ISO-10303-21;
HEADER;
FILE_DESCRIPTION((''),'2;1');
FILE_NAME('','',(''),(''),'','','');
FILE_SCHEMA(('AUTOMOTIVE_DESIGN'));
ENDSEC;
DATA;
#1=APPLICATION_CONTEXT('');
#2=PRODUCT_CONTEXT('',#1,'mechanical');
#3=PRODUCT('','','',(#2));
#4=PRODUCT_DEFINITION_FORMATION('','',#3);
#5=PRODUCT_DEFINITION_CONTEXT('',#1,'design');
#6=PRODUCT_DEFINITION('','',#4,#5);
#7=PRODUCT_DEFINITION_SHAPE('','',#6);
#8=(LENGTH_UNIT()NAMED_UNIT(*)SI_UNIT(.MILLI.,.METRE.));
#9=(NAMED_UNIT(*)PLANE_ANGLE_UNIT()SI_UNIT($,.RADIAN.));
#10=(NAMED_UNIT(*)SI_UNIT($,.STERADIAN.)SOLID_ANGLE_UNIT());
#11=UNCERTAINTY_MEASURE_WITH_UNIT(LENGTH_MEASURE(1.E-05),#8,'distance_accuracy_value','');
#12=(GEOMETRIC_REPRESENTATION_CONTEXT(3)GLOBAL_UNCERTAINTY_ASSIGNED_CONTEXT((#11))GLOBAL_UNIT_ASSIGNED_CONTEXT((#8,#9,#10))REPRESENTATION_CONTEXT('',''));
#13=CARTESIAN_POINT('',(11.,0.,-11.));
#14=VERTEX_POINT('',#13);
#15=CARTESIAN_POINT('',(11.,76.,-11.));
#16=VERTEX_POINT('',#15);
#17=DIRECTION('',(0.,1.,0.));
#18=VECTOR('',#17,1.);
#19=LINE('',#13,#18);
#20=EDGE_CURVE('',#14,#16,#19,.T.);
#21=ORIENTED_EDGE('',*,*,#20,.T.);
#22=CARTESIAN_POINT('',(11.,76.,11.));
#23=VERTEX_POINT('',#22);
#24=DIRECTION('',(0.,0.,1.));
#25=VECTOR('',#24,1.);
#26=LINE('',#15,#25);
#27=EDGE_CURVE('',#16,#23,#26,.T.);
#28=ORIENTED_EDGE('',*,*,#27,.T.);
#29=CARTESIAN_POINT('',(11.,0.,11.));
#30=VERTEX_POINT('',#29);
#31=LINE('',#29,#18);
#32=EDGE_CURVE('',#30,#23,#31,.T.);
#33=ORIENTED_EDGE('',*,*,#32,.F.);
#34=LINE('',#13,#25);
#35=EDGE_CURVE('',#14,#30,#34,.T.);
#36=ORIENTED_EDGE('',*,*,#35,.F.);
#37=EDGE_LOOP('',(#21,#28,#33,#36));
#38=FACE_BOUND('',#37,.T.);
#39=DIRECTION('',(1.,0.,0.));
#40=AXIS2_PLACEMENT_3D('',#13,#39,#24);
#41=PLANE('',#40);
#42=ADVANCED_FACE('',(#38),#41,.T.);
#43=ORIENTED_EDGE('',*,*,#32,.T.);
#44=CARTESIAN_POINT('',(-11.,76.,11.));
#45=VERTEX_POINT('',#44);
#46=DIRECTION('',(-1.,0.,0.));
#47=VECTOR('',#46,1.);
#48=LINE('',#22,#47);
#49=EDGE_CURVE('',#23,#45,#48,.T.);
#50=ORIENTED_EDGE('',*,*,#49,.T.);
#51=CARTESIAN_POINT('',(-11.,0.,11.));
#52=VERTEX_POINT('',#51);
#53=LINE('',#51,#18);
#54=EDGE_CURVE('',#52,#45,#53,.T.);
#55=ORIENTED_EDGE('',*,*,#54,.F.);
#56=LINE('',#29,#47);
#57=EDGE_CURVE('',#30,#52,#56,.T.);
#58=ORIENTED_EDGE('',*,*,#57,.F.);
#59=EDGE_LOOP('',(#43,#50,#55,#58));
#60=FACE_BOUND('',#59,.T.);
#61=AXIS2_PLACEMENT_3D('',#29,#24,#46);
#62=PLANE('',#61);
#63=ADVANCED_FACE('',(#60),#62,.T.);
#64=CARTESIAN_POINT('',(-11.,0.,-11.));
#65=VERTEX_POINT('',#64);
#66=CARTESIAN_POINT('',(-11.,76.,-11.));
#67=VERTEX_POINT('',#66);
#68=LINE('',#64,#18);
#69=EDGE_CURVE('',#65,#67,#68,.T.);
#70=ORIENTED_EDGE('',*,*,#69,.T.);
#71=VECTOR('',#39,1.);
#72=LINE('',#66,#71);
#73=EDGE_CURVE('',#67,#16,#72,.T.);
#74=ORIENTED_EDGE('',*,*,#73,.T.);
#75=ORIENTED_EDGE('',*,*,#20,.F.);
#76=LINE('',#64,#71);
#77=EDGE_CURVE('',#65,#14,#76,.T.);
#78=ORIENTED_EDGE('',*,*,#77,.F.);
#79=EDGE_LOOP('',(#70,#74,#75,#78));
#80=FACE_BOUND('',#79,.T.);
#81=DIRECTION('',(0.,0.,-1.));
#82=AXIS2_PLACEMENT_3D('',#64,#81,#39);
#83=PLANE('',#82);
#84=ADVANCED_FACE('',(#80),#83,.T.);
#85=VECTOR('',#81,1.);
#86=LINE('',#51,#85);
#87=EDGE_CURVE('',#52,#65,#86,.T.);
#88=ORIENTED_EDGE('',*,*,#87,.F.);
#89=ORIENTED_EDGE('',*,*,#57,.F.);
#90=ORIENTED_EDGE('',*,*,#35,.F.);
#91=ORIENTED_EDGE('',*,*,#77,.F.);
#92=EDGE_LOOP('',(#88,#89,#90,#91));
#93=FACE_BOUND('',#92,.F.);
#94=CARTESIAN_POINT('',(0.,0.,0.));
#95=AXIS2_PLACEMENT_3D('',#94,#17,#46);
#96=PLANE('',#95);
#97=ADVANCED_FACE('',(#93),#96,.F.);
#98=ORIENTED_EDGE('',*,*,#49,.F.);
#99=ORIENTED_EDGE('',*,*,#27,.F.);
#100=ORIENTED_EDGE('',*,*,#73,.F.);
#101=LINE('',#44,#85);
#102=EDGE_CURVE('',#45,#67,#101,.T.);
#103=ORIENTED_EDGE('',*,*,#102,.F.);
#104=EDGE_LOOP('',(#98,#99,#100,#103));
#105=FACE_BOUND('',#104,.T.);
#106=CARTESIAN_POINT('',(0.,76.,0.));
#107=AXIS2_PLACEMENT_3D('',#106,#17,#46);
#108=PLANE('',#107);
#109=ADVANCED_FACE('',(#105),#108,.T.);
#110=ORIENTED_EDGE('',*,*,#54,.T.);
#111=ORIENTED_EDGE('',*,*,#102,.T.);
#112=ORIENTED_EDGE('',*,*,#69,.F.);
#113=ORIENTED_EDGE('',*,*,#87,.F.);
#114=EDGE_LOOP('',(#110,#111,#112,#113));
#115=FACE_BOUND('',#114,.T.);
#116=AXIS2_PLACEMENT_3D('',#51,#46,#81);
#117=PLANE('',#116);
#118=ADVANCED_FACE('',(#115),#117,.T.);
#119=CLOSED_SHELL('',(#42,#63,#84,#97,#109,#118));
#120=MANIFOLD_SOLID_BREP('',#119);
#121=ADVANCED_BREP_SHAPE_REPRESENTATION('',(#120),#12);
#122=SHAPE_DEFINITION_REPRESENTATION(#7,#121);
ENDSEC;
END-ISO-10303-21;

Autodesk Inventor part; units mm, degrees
ref_plane "YZ Plane" through (0, 0, 0) normal (1, 0, 0) x (0, 1, 0)
ref_plane "XZ Plane" through (0, 0, 0) normal (0, 1, 0) x (-1, 0, 0)
ref_plane "XY Plane" through (0, 0, 0) normal (0, 0, 1) x (1, 0, 0)
sketch "Szkic1" plane through (0, 0, 0) normal (0, 1, 0) x (-1, 0, 0)
  line L0 (-11, 11) -> (11, 11)
  line L1 (11, 11) -> (11, -11)
  line L2 (11, -11) -> (-11, -11)
  line L3 (-11, -11) -> (-11, 11)
  line L4 (-11, 11) -> (11, -11) construction
  line L5 (11, 11) -> (-11, -11) construction
  point P0 (0, 0)
  dimension "d0" = 22
  dimension "d1" = 22
extrude "Wyciągnięcie proste1" add sketch "Szkic1" along normal blind 76
properties part number "atrapa_ogniwa"
